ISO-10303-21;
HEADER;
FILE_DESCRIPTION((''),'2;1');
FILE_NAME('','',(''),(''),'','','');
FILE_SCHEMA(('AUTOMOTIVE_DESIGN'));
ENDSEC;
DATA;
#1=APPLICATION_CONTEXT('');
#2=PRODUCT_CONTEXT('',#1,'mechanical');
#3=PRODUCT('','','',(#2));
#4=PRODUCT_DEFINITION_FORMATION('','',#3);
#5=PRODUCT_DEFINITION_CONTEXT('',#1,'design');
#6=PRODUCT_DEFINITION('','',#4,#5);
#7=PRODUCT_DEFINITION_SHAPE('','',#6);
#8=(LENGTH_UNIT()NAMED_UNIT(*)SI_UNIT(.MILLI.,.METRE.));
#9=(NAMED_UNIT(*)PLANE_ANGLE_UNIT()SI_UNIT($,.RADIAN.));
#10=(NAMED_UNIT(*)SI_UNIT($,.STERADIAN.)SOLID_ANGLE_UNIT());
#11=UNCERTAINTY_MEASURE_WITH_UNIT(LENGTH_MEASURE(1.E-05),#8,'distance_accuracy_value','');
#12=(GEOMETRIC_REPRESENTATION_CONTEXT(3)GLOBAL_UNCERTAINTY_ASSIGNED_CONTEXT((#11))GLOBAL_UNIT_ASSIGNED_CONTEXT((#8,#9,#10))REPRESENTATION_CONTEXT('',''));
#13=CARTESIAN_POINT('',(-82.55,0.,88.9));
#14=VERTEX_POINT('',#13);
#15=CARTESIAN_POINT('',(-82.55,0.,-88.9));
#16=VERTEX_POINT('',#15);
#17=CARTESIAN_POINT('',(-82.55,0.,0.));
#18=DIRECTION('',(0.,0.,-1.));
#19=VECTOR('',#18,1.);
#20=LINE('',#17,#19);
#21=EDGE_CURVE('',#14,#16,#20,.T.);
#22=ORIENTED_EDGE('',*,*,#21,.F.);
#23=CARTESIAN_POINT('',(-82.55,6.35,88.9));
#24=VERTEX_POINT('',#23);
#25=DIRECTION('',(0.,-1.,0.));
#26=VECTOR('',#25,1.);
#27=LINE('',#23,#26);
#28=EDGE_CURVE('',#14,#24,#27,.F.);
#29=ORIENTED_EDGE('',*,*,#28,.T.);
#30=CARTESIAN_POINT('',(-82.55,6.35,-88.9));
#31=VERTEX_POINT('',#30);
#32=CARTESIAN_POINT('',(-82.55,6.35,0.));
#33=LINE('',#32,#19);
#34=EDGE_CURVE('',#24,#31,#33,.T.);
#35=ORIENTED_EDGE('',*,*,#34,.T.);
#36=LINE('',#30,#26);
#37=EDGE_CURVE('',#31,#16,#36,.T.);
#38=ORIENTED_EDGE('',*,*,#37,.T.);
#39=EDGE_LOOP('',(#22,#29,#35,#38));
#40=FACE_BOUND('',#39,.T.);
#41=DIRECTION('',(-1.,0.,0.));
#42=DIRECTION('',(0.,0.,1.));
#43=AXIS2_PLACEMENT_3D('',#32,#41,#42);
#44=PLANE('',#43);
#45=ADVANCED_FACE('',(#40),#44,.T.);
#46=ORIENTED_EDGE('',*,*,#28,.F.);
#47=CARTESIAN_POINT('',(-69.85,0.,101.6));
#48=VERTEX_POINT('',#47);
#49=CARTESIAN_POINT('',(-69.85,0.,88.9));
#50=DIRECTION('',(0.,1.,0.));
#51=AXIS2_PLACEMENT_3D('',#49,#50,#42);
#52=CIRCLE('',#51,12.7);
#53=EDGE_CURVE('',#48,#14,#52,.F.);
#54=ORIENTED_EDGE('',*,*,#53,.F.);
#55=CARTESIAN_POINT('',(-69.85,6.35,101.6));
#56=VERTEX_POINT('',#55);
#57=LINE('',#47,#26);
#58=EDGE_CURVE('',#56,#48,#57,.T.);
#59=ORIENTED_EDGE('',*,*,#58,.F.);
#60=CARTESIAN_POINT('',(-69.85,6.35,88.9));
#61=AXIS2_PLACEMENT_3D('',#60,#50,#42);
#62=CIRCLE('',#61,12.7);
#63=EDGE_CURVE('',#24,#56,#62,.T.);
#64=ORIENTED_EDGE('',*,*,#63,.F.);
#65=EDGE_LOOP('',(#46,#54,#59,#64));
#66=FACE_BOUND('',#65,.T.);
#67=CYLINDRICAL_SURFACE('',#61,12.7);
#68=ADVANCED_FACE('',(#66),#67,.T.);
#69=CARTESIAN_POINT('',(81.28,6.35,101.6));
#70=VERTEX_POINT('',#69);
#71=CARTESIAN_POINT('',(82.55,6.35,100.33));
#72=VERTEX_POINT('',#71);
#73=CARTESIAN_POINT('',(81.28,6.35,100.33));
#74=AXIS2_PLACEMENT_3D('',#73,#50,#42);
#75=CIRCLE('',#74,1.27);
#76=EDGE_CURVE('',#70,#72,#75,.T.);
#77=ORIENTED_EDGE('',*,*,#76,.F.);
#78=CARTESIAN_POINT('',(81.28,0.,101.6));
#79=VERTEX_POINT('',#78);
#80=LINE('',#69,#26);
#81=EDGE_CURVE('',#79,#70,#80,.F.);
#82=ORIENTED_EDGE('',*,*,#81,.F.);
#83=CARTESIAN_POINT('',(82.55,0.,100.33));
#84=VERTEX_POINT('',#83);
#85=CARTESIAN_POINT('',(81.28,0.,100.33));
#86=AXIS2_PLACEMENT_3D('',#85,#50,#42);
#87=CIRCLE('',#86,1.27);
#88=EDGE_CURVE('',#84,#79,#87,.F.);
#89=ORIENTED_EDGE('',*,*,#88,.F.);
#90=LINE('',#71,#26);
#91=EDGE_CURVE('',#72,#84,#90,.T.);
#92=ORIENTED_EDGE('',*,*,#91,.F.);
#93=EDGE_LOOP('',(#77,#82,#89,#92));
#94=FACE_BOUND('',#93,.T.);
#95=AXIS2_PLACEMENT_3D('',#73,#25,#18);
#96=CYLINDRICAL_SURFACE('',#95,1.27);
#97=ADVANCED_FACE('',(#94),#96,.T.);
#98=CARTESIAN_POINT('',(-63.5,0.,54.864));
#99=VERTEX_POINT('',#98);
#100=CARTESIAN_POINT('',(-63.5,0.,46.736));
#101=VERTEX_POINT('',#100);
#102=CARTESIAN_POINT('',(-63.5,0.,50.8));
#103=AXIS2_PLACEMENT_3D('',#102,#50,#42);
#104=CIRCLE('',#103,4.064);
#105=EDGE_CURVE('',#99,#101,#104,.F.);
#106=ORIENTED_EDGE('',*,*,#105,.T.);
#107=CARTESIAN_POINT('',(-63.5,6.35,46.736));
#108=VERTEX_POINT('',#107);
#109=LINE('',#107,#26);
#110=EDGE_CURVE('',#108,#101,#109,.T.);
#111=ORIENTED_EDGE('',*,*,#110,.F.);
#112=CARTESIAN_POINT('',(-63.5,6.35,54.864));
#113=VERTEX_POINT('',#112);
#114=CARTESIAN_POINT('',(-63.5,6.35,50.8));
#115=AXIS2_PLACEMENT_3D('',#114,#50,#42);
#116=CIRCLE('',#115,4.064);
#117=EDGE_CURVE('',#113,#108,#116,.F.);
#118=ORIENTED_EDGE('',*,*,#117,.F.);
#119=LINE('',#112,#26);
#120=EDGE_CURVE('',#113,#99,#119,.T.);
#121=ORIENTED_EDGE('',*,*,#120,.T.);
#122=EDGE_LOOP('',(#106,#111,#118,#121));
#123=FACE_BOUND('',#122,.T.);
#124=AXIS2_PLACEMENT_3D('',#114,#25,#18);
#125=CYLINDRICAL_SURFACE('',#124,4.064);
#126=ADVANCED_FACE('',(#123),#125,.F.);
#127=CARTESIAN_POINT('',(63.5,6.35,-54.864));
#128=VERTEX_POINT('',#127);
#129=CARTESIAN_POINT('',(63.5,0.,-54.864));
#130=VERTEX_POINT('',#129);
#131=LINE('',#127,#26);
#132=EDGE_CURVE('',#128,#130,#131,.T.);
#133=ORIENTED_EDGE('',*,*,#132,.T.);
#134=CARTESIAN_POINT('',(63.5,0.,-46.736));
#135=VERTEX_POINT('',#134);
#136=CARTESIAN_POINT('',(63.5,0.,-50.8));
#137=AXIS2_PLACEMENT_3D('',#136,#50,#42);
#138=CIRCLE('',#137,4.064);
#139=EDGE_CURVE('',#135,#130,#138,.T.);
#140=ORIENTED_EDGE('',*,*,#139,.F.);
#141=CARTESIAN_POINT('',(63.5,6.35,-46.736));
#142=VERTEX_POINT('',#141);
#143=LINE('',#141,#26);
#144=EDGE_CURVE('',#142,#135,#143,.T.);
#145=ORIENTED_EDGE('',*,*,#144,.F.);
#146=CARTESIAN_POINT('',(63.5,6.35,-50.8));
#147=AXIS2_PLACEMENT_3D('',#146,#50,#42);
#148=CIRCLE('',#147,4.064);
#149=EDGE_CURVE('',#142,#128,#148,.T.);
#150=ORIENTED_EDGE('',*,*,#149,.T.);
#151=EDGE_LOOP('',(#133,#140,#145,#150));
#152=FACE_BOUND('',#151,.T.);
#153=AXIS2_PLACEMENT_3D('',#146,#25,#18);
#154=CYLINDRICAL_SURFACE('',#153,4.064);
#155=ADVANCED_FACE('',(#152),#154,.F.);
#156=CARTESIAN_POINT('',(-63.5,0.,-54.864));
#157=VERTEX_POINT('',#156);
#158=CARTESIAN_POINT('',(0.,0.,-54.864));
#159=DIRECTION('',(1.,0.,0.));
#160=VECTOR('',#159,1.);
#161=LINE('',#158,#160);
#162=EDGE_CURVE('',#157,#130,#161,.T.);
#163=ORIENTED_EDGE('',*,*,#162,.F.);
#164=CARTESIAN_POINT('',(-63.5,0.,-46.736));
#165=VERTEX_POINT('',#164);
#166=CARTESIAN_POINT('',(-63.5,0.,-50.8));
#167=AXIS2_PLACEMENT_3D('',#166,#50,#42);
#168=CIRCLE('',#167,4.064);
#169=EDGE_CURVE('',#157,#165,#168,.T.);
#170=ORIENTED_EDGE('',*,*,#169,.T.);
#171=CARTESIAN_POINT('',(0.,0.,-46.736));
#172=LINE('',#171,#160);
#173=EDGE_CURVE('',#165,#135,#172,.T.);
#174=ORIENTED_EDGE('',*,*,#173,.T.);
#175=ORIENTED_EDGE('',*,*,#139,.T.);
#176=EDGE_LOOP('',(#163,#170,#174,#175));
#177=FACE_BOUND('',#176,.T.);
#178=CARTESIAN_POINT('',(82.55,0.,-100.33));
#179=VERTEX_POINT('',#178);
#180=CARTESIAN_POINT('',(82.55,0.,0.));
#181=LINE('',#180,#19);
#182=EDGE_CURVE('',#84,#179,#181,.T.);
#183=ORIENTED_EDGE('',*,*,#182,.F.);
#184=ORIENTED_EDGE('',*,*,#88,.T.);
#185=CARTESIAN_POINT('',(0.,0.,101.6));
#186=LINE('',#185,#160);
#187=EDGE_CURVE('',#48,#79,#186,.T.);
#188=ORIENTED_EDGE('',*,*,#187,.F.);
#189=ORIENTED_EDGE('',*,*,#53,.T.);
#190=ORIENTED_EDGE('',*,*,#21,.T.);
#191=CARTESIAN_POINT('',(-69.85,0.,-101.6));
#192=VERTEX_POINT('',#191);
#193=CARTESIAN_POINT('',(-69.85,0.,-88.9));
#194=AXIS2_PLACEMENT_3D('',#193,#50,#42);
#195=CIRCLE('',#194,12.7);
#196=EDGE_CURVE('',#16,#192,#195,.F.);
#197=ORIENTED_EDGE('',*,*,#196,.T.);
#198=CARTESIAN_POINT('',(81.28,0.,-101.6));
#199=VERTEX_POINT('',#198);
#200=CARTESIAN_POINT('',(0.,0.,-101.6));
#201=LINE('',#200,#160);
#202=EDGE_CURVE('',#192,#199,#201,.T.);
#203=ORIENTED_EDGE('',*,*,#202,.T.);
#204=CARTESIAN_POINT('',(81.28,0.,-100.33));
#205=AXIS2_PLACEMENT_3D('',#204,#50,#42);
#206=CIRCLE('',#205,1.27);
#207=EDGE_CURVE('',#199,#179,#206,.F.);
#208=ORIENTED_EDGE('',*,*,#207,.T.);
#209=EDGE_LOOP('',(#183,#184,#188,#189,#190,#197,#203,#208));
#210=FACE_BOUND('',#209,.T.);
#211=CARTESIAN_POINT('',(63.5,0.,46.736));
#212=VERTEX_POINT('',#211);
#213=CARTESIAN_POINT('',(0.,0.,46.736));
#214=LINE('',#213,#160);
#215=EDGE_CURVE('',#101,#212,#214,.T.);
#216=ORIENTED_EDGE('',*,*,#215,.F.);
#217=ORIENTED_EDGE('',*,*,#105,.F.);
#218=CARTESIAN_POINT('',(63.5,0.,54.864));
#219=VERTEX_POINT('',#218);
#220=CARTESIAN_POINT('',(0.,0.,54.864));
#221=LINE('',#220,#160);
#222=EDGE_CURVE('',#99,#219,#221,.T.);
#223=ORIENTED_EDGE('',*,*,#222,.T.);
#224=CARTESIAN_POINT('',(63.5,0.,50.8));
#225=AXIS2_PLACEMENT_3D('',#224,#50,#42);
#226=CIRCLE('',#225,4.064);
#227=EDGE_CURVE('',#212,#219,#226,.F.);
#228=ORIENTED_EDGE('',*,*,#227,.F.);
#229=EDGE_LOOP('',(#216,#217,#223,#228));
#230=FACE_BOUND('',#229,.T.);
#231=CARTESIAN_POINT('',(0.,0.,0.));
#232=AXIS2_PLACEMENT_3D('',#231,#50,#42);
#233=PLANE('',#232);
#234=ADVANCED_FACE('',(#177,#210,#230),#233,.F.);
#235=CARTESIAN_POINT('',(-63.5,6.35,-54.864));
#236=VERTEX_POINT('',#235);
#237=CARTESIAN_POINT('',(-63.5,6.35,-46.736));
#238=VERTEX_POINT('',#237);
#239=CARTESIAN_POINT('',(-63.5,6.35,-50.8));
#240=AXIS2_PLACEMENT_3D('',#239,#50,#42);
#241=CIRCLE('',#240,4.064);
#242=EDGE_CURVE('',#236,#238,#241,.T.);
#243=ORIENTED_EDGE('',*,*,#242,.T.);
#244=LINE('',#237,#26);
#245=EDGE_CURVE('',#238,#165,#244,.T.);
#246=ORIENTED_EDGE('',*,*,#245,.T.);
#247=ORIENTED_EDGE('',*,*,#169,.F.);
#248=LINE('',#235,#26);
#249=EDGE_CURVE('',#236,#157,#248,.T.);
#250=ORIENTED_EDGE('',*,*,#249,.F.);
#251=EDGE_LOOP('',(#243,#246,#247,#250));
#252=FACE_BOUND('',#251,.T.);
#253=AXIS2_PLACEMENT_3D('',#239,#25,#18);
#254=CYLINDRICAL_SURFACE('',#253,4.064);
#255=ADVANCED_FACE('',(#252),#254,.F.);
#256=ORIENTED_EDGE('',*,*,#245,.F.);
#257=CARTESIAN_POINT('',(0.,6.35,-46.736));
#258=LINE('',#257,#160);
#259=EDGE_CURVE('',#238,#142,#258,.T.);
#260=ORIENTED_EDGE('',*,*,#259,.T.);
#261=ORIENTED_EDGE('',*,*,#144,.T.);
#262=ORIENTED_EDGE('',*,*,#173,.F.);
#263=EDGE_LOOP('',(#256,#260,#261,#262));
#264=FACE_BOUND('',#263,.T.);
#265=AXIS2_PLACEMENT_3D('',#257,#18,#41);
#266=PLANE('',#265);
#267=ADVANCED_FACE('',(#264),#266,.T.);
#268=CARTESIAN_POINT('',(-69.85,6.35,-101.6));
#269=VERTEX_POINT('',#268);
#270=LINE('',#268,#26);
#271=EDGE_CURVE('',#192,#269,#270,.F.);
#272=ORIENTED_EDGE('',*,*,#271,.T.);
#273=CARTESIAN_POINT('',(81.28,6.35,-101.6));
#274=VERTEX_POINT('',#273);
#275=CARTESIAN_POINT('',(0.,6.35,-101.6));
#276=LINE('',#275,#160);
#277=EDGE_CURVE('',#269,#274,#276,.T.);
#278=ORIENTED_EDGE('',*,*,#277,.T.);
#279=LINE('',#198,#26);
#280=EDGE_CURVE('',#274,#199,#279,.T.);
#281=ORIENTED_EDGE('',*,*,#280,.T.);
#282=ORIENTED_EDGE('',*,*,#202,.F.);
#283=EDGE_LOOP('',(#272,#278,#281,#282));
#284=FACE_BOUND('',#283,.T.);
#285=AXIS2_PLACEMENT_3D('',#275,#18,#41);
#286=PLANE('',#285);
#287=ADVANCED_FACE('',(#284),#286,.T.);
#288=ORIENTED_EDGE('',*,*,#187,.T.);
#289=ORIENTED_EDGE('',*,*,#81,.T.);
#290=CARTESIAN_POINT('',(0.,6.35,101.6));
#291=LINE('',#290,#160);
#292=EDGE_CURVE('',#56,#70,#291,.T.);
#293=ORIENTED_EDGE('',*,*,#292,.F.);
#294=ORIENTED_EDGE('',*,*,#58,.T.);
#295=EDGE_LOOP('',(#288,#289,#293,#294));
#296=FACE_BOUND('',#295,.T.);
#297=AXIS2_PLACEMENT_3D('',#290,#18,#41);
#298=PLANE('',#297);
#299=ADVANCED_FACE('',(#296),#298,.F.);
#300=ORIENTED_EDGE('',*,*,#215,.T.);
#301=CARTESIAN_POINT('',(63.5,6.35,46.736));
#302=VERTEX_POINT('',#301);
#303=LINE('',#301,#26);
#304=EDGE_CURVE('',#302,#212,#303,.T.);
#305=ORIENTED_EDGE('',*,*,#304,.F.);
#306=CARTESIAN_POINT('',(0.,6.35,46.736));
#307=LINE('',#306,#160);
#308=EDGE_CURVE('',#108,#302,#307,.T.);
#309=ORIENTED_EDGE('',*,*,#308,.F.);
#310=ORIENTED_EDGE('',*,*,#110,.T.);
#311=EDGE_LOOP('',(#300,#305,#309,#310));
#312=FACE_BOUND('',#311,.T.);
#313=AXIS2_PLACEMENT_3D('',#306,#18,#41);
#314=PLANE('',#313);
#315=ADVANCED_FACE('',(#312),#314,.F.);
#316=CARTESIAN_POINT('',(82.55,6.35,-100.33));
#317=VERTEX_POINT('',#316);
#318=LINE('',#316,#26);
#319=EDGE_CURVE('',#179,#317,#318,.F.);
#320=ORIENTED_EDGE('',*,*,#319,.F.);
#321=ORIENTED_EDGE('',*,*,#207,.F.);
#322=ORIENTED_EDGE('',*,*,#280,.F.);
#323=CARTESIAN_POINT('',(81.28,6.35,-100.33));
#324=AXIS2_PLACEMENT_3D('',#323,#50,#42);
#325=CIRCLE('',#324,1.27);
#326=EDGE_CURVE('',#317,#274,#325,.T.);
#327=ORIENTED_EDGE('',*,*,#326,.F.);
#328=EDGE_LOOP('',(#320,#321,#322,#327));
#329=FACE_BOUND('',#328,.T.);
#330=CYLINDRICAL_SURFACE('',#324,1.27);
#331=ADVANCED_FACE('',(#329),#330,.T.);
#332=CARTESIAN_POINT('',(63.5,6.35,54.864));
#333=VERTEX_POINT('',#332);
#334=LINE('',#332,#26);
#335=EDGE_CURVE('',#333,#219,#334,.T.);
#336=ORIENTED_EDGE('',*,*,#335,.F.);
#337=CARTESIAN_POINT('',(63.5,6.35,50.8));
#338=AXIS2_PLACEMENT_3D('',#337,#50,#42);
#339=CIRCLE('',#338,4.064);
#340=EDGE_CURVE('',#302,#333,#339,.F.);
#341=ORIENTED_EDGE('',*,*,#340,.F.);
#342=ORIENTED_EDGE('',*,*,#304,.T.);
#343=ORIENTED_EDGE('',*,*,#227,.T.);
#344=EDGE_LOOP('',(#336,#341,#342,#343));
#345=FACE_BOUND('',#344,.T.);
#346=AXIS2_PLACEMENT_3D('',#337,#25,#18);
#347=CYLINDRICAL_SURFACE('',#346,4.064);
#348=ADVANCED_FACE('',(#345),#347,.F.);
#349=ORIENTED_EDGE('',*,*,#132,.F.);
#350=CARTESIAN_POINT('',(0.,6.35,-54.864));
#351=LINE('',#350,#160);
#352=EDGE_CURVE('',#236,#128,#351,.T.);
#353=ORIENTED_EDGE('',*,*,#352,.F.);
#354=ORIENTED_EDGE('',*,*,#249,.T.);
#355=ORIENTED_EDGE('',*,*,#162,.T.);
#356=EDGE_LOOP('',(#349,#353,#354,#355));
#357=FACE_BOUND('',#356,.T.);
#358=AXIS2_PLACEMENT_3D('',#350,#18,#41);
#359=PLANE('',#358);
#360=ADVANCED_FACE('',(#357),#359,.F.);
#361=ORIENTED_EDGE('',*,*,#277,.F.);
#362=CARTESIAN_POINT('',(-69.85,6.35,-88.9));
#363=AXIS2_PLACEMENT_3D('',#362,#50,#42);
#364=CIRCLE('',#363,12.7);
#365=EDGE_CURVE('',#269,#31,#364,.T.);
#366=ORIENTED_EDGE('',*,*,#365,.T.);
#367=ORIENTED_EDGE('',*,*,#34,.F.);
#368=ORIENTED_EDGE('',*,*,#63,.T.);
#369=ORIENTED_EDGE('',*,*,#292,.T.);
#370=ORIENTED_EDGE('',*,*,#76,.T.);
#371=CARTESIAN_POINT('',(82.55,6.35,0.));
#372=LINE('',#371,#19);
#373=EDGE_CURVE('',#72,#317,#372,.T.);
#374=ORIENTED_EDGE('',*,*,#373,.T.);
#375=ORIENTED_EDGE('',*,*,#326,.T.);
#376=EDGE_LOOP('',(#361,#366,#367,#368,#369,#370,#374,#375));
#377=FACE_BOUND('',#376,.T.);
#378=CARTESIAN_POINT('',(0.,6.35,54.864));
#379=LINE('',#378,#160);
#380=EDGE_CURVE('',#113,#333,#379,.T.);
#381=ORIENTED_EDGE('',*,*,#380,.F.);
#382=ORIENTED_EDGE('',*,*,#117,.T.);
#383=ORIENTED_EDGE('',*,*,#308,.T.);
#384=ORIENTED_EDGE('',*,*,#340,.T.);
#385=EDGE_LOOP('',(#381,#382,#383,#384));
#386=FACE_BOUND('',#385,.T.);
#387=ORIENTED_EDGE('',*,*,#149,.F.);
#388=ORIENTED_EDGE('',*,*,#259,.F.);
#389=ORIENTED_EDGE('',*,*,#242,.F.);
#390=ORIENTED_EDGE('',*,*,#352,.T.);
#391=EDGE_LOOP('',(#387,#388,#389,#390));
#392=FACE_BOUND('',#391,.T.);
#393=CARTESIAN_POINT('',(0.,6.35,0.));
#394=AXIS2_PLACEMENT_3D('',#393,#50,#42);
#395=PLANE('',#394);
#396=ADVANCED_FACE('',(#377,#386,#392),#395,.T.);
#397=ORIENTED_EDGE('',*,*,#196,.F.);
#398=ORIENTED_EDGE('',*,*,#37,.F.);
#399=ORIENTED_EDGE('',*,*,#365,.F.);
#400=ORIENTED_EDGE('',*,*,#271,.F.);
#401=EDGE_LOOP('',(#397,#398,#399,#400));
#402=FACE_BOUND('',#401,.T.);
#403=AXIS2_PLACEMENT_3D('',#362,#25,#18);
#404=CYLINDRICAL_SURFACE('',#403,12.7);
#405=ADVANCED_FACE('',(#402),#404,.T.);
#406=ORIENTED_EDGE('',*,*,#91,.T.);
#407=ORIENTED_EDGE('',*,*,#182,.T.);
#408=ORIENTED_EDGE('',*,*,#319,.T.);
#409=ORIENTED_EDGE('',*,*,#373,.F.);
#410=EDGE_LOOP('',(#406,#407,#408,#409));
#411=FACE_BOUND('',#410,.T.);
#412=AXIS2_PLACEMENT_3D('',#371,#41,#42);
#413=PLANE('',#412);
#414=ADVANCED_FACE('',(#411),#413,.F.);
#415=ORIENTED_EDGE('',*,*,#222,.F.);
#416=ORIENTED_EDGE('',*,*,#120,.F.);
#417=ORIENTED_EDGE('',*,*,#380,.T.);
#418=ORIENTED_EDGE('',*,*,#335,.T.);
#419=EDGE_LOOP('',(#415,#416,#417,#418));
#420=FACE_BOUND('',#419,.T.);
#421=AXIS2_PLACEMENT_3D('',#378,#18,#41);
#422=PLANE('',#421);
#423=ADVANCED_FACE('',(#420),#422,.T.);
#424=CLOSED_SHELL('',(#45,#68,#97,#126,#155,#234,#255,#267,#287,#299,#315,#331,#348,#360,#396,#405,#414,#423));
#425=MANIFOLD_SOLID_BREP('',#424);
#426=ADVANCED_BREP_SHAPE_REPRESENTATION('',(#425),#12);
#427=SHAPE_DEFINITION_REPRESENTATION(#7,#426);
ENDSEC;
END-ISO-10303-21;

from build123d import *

# Parameters (mm, degrees)
SKETCH1_W           = 165.1
SKETCH1_H           = 203.2
BOSS_EXTRUDE1_DEPTH = 6.35
FILLET1_R           = 12.7
FILLET2_R           = 1.27


with BuildPart() as part:
    # Sketch1 → Boss-Extrude1 (new body)
    with BuildSketch(Plane(origin=(0, 0, 0), x_dir=(1, 0, 0), z_dir=(0, 1, 0))):
        Rectangle(SKETCH1_W, SKETCH1_H)
        with BuildLine():
            ThreePointArc((67.564, -50.8), (66.373681959, -53.673681959), (63.5, -54.864))
            Line((63.5, -54.864), (-63.5, -54.864))
            ThreePointArc((-63.5, -54.864), (-67.564, -50.8), (-63.5, -46.736))
            Line((-63.5, -46.736), (63.5, -46.736))
            ThreePointArc((63.5, -46.736), (66.373681959, -47.926318041), (67.564, -50.8))
        make_face(mode=Mode.SUBTRACT)
        with BuildLine():
            ThreePointArc((-63.5, 46.736), (-67.564, 50.8), (-63.5, 54.864))
            Line((-63.5, 54.864), (63.5, 54.864))
            ThreePointArc((63.5, 54.864), (66.373681959, 53.673681959), (67.564, 50.8))
            ThreePointArc((67.564, 50.8), (66.373681959, 47.926318041), (63.5, 46.736))
            Line((63.5, 46.736), (-63.5, 46.736))
        make_face(mode=Mode.SUBTRACT)
    extrude(amount=BOSS_EXTRUDE1_DEPTH)

    # Fillet1
    fillet1_edges = [part.edges().sort_by_distance(p)[0] for p in [
        (-82.55, 3.175, 101.6),
        (-82.55, 3.175, -101.6),
    ]]
    fillet(fillet1_edges, radius=FILLET1_R)

    # Fillet2
    fillet2_edges = [part.edges().sort_by_distance(p)[0] for p in [
        (82.55, 3.175, -101.6),
        (82.55, 3.175, 101.6),
    ]]
    fillet(fillet2_edges, radius=FILLET2_R)


solid = part.part
